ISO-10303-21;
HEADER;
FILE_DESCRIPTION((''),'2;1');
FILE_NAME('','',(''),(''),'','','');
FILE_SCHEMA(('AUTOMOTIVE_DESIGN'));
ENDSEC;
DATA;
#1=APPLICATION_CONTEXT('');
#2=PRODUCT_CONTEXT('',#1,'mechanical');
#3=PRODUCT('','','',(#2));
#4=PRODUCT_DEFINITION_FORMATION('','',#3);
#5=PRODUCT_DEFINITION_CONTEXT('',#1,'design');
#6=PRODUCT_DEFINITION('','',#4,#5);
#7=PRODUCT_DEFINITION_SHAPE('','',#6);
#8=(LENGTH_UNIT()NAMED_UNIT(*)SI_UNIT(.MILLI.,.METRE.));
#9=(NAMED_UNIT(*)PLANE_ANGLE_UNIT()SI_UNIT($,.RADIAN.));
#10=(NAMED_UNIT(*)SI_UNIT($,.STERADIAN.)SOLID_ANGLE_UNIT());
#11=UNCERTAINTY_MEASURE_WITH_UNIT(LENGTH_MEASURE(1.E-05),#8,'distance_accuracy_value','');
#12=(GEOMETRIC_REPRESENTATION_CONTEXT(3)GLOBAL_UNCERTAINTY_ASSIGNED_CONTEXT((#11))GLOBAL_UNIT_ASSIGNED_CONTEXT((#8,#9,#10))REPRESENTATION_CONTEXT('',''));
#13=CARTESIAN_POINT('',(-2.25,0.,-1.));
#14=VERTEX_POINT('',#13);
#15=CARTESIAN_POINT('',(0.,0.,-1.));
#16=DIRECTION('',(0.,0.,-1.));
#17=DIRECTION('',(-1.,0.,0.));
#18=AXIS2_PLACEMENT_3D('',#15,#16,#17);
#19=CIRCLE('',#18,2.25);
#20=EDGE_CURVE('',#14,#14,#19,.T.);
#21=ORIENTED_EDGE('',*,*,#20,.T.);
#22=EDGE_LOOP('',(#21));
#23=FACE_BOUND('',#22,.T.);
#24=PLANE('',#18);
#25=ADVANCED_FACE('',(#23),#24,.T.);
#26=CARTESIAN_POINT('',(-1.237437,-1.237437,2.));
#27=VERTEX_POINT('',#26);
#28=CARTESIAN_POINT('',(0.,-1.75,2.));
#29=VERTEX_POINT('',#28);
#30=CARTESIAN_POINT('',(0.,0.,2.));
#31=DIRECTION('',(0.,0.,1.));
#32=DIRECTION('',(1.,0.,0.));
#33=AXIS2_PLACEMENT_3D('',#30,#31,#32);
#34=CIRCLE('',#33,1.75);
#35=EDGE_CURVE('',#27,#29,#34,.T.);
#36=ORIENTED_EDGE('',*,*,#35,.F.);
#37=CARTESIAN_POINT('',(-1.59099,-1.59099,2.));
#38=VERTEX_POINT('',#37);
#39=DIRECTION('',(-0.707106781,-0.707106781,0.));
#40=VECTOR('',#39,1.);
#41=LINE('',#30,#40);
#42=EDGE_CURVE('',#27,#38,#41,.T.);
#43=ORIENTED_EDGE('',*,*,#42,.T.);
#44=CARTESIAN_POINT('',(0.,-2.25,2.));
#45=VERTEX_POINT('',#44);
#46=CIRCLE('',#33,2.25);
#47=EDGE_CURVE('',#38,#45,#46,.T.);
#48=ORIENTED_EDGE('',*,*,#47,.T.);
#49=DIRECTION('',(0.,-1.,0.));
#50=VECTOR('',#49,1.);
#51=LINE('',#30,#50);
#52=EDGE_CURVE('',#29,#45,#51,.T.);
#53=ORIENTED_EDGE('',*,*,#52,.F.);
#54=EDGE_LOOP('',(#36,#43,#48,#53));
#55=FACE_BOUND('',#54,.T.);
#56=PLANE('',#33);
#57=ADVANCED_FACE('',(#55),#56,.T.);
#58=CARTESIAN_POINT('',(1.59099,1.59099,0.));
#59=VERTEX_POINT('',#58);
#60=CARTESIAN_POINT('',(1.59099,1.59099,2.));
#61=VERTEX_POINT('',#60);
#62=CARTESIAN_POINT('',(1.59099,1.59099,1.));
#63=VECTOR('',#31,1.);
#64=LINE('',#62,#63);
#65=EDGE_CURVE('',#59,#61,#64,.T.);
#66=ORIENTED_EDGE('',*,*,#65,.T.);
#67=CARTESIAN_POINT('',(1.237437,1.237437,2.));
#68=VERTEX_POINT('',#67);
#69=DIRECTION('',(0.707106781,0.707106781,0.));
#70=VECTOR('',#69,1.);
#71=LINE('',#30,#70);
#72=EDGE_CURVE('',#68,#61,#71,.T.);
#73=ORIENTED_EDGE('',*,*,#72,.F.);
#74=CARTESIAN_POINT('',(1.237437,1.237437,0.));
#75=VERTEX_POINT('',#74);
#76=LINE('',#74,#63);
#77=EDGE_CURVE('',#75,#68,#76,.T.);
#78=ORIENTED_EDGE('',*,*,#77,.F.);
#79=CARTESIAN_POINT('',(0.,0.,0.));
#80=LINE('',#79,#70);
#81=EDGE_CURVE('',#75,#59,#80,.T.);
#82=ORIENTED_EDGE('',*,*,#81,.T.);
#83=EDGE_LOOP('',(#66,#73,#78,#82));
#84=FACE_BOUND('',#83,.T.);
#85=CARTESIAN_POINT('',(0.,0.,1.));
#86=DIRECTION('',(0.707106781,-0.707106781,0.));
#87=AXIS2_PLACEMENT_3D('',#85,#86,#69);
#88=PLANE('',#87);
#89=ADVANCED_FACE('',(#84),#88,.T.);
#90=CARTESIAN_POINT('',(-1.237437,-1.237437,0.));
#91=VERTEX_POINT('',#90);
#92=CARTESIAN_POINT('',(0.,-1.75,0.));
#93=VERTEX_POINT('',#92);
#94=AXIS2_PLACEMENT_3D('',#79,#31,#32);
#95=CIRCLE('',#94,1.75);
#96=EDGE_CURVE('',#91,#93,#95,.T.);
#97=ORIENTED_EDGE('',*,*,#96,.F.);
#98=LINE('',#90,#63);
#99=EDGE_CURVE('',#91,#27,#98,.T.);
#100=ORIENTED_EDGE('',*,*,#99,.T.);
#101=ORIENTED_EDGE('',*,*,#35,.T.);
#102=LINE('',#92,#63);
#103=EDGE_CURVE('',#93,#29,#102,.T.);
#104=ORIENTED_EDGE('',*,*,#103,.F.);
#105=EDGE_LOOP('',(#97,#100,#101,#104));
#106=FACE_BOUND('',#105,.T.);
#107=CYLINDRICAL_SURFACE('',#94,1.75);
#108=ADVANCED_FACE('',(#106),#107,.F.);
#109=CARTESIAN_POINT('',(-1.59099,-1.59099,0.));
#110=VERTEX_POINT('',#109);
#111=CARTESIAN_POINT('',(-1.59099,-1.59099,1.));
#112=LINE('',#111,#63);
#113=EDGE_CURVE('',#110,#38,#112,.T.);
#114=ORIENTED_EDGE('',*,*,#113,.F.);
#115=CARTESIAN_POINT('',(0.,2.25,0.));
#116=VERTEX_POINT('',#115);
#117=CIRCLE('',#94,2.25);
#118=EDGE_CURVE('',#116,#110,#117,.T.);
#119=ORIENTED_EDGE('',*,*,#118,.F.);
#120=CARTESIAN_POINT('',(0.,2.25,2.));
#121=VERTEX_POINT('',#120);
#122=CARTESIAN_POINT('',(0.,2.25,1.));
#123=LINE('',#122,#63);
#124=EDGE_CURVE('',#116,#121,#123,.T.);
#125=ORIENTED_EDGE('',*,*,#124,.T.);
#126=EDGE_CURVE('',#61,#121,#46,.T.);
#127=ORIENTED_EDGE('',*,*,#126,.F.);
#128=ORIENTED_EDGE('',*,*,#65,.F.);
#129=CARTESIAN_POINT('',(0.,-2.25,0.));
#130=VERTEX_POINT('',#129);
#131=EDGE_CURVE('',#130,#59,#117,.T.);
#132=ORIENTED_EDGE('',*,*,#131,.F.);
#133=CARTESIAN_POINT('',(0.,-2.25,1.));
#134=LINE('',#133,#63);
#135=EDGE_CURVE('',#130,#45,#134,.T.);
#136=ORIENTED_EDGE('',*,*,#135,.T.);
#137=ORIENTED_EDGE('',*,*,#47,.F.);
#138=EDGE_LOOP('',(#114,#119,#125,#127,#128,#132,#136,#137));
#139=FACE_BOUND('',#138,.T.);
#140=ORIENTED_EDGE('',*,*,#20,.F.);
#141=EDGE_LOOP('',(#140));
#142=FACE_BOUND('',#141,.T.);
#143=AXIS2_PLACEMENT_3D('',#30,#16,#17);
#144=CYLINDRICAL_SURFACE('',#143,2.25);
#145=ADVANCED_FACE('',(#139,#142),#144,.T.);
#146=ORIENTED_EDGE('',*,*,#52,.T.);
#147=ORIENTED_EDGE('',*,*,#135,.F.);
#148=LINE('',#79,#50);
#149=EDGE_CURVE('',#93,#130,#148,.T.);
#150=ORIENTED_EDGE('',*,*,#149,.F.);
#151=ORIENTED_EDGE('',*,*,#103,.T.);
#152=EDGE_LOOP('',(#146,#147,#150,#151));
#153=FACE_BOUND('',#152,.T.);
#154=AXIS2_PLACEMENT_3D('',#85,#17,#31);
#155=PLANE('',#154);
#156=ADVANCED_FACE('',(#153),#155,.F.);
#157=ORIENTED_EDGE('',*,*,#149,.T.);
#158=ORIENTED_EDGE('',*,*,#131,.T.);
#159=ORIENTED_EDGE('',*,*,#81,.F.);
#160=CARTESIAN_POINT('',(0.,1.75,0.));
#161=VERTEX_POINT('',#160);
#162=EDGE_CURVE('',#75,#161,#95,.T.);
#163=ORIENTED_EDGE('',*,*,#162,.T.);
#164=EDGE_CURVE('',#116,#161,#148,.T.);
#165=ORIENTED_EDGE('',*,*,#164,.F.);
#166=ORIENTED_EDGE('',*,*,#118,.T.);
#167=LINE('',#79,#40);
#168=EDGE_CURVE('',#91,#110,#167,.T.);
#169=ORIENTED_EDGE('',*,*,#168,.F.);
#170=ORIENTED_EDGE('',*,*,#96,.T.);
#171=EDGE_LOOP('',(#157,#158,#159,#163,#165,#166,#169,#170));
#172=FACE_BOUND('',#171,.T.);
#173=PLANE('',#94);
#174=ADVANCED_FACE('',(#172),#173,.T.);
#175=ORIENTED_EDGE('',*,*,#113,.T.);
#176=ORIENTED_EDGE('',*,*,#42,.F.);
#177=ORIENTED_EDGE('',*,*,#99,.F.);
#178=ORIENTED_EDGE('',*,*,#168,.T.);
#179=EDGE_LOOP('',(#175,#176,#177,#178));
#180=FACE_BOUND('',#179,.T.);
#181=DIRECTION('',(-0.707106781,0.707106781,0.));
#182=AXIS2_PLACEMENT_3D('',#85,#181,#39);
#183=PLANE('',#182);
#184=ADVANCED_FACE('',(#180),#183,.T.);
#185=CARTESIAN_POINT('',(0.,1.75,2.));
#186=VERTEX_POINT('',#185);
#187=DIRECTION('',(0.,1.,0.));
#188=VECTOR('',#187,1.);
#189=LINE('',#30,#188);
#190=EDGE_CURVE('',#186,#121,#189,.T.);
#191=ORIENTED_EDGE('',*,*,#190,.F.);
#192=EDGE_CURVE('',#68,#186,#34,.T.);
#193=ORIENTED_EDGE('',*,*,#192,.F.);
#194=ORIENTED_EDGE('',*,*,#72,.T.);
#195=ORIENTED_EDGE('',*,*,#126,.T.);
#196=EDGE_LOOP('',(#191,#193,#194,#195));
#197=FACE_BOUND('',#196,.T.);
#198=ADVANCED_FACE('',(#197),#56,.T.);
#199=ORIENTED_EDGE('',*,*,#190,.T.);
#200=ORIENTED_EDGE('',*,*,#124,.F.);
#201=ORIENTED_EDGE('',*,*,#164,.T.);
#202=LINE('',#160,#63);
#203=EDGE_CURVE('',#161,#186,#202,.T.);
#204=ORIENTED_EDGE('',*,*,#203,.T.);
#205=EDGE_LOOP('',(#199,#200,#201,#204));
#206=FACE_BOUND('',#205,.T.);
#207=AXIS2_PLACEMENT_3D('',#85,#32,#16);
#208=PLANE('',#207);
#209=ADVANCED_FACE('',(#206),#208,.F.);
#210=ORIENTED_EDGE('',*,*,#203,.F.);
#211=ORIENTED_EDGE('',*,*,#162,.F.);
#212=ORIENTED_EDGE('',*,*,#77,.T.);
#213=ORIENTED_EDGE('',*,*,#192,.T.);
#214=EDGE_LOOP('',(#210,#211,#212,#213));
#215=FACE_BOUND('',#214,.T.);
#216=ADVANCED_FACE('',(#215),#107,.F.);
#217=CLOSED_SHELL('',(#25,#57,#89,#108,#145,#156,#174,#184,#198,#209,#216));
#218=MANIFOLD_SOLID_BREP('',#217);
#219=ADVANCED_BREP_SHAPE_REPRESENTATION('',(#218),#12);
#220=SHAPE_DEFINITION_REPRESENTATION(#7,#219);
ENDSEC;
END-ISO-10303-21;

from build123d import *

# Parameters (mm, degrees)
SKETCH9_R           = 2.25
BOSS_EXTRUDE1_DEPTH = 2
SHELL1_T            = -1
CUT_EXTRUDE4_START  = -1
CUT_EXTRUDE4_DEPTH  = 1
BOSS_EXTRUDE2_START = 1
SKETCH11_R          = 2.25
BOSS_EXTRUDE2_DEPTH = 1
CUT_EXTRUDE5_START  = -2
CUT_EXTRUDE5_DEPTH  = 2
SKETCH13_R          = 1.75
CUT_EXTRUDE6_DEPTH  = 2


with BuildPart() as part:
    # Sketch9 → Boss-Extrude1 (new body)
    with BuildSketch(Plane.XY):
        Circle(SKETCH9_R)
    extrude(amount=BOSS_EXTRUDE1_DEPTH)

    # Shell1
    shell1_openings = [part.faces().sort_by_distance(p)[0] for p in [
        (0, 0, 2),
    ]]
    offset(amount=SHELL1_T, openings=shell1_openings, kind=Kind.INTERSECTION)

    # Sketch10 → Cut-Extrude4 (cut)
    with BuildSketch(Plane.XY.offset(2).offset(CUT_EXTRUDE4_START)):
        with BuildLine():
            ThreePointArc((-0.883883476, -0.883883476), (-1.154849416, 0.47835429), (0, 1.25))
            Line((0, 1.25), (0, 2.25))
            ThreePointArc((0, 2.25), (-2.078728948, 0.861037723), (-1.590990258, -1.590990258))
            Line((-1.590990258, -1.590990258), (-0.883883476, -0.883883476))
        make_face()
        with BuildLine():
            Line((1.590990258, 1.590990258), (0.883883476, 0.883883476))
            ThreePointArc((0.883883476, 0.883883476), (1.154849416, 0.47835429), (1.25, 0))
            ThreePointArc((1.25, 0), (0.883883476, -0.883883476), (0, -1.25))
            Line((0, -1.25), (0, -2.25))
            ThreePointArc((0, -2.25), (1.590990258, -1.590990258), (2.25, 0))
            ThreePointArc((2.25, 0), (2.078728948, 0.861037723), (1.590990258, 1.590990258))
        make_face()
    extrude(amount=CUT_EXTRUDE4_DEPTH, mode=Mode.SUBTRACT)

    # Sketch11 → Boss-Extrude2 (add)
    with BuildSketch(Plane(origin=(0, 0, 0), x_dir=(-1, 0, 0), z_dir=(0, 0, -1)).offset(BOSS_EXTRUDE2_START)):
        Circle(SKETCH11_R)
    extrude(amount=-BOSS_EXTRUDE2_DEPTH)

    # Sketch12 → Cut-Extrude5 (cut)
    with BuildSketch(Plane.XY.offset(2).offset(CUT_EXTRUDE5_START)):
        with BuildLine():
            Line((0, 1.25), (0, 2.25))
            ThreePointArc((0, 2.25), (-2.078728948, 0.861037723), (-1.590990258, -1.590990258))
            Line((-1.590990258, -1.590990258), (-0.883883476, -0.883883476))
            ThreePointArc((-0.883883476, -0.883883476), (-0.47835429, -1.154849416), (0, -1.25))
            Line((0, -1.25), (0, -2.25))
            ThreePointArc((0, -2.25), (2.078728948, -0.861037723), (1.590990258, 1.590990258))
            Line((1.590990258, 1.590990258), (0.883883476, 0.883883476))
            ThreePointArc((0.883883476, 0.883883476), (0.47835429, 1.154849416), (0, 1.25))
        make_face()
    extrude(amount=CUT_EXTRUDE5_DEPTH, mode=Mode.SUBTRACT)

    # Sketch13 → Cut-Extrude6 (cut)
    with BuildSketch(Plane.XY.offset(2)):
        Circle(SKETCH13_R)
    extrude(amount=-CUT_EXTRUDE6_DEPTH, mode=Mode.SUBTRACT)


solid = part.part
